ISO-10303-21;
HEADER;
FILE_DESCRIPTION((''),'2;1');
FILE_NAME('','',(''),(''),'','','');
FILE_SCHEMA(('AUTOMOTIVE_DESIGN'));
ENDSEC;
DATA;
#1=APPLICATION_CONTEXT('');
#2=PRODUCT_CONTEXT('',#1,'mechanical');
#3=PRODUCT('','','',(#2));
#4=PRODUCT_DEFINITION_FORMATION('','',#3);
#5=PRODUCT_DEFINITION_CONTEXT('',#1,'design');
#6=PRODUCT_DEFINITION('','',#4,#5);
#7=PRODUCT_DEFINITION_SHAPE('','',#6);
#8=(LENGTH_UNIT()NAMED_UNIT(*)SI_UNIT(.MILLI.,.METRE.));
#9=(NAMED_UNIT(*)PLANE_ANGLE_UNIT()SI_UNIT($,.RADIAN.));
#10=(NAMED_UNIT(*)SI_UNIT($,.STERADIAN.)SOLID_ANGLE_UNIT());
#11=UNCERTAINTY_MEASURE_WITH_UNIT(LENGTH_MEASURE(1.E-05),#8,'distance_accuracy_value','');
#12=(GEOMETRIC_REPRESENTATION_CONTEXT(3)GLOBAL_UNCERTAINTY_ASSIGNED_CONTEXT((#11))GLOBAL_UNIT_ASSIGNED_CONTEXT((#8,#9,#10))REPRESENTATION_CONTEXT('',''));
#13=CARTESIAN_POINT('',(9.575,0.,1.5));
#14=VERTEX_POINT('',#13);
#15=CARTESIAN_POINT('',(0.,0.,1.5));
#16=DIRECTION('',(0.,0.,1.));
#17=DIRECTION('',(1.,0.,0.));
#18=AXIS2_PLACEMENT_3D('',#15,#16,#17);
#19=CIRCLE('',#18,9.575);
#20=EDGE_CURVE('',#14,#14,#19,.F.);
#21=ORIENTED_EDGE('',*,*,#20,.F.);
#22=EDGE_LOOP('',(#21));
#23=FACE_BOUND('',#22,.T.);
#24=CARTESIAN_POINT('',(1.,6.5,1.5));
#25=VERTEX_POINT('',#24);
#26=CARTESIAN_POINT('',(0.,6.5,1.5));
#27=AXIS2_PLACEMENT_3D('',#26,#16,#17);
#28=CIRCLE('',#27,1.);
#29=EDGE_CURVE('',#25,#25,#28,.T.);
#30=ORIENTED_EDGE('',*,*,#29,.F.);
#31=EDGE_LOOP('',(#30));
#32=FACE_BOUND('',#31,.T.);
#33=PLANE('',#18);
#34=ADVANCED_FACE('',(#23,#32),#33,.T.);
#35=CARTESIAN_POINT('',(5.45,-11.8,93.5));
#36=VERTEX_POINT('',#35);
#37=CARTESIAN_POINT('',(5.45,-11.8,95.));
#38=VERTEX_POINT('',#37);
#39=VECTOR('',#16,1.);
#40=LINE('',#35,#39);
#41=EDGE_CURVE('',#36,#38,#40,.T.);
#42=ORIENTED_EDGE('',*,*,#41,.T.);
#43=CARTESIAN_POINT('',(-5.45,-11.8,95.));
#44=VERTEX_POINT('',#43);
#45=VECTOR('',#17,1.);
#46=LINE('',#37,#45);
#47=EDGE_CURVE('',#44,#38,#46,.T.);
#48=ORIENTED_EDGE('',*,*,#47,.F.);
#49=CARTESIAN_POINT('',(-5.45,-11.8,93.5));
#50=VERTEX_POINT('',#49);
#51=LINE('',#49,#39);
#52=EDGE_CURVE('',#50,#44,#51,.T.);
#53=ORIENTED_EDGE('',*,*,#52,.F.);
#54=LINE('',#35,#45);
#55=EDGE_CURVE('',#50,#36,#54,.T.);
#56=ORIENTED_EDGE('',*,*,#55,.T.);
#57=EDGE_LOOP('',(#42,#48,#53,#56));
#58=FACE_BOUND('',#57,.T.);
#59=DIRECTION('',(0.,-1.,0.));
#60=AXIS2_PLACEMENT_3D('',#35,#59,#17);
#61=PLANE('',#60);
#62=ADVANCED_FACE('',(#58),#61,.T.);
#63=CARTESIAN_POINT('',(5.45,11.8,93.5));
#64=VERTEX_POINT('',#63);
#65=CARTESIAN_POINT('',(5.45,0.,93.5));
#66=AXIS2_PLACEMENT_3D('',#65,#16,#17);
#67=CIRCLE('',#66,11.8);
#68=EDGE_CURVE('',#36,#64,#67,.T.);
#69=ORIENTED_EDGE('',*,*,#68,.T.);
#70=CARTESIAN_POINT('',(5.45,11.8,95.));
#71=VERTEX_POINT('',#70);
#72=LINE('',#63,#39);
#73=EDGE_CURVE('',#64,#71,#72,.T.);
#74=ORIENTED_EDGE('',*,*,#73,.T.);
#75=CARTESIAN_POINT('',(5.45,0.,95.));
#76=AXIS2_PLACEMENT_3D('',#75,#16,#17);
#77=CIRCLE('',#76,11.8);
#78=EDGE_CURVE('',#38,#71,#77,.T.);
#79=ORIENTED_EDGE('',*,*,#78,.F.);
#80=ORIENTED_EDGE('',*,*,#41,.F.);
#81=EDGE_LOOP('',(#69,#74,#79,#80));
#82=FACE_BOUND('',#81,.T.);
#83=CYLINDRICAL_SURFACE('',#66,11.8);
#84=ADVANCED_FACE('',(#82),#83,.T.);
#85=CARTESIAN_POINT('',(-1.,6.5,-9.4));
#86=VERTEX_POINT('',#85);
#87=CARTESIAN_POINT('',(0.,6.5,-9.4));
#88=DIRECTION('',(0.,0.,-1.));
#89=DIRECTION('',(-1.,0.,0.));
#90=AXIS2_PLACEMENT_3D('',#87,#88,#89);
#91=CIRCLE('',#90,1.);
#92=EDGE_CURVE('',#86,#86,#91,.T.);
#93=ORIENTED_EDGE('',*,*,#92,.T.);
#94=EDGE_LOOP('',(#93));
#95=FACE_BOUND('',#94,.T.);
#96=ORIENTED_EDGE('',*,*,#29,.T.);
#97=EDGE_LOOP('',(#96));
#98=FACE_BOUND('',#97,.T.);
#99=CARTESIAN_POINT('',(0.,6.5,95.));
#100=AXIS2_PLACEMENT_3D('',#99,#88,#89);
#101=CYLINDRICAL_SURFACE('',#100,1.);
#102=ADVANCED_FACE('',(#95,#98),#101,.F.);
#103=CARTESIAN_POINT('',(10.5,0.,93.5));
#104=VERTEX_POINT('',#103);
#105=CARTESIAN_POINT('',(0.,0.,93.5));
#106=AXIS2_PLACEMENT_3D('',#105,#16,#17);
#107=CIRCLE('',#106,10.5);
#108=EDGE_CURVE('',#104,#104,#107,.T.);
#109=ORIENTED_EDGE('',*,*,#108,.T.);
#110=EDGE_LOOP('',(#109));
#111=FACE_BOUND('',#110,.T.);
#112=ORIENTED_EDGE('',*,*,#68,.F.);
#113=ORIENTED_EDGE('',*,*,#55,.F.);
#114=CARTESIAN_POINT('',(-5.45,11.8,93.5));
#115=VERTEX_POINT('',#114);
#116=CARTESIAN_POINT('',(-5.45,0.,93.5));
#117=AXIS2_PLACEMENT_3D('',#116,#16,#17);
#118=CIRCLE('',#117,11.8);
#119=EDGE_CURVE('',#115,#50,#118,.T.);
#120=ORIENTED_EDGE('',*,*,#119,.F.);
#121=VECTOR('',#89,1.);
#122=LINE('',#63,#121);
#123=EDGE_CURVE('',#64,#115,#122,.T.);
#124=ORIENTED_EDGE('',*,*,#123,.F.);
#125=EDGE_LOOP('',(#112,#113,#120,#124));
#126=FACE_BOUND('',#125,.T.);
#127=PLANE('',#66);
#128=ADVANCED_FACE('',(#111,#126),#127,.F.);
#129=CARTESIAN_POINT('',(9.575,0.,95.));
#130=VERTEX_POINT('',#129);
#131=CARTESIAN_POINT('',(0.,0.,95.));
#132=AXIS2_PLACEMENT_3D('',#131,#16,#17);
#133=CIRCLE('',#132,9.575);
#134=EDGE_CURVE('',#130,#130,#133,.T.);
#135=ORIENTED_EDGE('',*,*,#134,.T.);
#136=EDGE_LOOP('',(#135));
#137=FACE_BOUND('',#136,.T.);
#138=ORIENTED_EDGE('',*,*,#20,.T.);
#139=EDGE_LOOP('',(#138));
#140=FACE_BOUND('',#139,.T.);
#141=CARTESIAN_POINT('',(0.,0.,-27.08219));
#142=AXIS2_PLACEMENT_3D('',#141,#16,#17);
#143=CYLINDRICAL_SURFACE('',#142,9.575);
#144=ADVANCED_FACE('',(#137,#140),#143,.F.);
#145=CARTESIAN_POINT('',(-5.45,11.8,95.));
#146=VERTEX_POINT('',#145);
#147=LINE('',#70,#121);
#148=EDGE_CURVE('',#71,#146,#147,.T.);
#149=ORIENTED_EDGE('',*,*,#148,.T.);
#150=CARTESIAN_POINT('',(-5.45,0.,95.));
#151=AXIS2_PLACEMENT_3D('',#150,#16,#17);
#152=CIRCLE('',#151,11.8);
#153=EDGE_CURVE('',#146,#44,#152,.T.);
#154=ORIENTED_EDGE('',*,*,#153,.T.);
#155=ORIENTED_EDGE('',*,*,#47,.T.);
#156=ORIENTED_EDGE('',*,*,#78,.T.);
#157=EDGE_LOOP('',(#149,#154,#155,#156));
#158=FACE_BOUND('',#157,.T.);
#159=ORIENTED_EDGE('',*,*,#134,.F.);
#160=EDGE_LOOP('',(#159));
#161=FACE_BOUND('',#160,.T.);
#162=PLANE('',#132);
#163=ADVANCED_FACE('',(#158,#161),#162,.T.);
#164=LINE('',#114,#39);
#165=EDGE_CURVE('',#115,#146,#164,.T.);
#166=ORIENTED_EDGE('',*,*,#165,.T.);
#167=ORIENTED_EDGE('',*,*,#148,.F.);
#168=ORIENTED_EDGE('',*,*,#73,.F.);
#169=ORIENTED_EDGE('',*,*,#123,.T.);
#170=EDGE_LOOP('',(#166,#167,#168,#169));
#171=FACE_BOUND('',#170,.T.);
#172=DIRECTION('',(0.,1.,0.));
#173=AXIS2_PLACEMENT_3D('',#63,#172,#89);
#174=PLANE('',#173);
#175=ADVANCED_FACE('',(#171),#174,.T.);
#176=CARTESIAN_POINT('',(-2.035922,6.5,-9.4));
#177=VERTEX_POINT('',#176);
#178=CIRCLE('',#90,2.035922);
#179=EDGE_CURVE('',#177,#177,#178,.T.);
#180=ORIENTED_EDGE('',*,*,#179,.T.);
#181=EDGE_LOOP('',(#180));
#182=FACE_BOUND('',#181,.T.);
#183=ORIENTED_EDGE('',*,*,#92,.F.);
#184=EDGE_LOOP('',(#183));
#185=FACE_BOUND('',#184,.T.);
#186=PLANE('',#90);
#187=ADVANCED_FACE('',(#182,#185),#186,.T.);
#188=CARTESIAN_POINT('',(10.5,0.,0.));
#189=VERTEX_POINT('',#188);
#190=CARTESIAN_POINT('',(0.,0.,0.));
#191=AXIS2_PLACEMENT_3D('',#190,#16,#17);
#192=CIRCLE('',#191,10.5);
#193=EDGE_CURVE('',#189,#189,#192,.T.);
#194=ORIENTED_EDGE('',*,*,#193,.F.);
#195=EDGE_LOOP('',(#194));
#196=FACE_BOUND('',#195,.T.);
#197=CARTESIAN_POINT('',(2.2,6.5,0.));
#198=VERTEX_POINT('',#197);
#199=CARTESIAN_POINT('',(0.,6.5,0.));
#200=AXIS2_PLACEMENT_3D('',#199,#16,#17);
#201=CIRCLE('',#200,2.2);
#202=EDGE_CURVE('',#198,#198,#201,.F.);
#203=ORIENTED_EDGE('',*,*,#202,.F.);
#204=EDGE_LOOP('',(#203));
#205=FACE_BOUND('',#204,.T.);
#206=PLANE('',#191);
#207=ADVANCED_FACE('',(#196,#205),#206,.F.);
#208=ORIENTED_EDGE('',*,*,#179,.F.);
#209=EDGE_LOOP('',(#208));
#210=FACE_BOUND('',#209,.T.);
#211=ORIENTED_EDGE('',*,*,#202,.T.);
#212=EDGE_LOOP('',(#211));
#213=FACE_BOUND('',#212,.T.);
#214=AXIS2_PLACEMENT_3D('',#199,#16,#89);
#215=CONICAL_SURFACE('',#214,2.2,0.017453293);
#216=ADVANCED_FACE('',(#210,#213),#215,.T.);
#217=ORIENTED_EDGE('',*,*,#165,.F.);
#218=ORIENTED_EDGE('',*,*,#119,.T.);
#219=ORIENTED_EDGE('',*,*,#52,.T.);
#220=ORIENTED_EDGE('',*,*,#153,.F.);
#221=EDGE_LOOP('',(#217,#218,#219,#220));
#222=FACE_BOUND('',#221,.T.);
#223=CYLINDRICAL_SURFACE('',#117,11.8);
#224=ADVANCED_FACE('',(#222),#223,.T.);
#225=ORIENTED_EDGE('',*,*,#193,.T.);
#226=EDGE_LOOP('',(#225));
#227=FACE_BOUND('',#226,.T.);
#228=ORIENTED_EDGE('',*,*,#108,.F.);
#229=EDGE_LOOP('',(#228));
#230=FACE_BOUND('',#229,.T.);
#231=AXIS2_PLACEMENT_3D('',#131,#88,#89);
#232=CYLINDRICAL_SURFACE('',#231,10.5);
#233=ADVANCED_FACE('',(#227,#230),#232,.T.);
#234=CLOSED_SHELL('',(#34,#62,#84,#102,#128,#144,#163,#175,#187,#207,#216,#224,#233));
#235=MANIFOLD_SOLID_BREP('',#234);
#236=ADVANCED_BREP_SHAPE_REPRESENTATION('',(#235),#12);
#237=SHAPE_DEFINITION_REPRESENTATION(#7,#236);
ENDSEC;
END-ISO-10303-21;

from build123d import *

# Parameters (mm, degrees)
SKETCH1_R           = 10.5
BOSS_EXTRUDE1_DEPTH = 95
BOSS_EXTRUDE2_DEPTH = 1.5
SKETCH3_R           = 2.2
BOSS_EXTRUDE3_DEPTH = 9.4
BOSS_EXTRUDE3_TAPER = 1
SKETCH4_R           = 9.575
CUT_EXTRUDE1_DEPTH  = 93.5
SKETCH5_R           = 1
CUT_EXTRUDE2_DEPTH  = 107.471416352


with BuildPart() as part:
    # Sketch1 → Boss-Extrude1 (new body)
    with BuildSketch(Plane.XY):
        Circle(SKETCH1_R)
    extrude(amount=BOSS_EXTRUDE1_DEPTH)

    # Sketch2 → Boss-Extrude2 (add)
    with BuildSketch(Plane.XY.offset(95)):
        with BuildLine():
            Line((5.45, -11.8), (-5.45, -11.8))
            ThreePointArc((-5.45, -11.8), (-17.25, 0), (-5.45, 11.8))
            Line((-5.45, 11.8), (5.45, 11.8))
            ThreePointArc((5.45, 11.8), (17.25, 0), (5.45, -11.8))
        make_face()
    extrude(amount=-BOSS_EXTRUDE2_DEPTH)

    # Sketch3 → Boss-Extrude3 (add)
    with BuildSketch(Plane(origin=(0, 0, 0), x_dir=(-1, 0, 0), z_dir=(0, 0, -1))):
        with Locations((0, 6.5)):
            Circle(SKETCH3_R)
    extrude(amount=BOSS_EXTRUDE3_DEPTH, taper=BOSS_EXTRUDE3_TAPER)

    # Sketch4 → Cut-Extrude1 (cut)
    with BuildSketch(Plane.XY.offset(95)):
        Circle(SKETCH4_R)
    extrude(amount=-CUT_EXTRUDE1_DEPTH, mode=Mode.SUBTRACT)

    # Sketch5 → Cut-Extrude2 (cut, through all)
    with BuildSketch(Plane(origin=(0, 0, -9.4), x_dir=(-1, 0, 0), z_dir=(0, 0, -1))):
        with Locations((0, 6.5)):
            Circle(SKETCH5_R)
    extrude(amount=-CUT_EXTRUDE2_DEPTH, mode=Mode.SUBTRACT)


solid = part.part
